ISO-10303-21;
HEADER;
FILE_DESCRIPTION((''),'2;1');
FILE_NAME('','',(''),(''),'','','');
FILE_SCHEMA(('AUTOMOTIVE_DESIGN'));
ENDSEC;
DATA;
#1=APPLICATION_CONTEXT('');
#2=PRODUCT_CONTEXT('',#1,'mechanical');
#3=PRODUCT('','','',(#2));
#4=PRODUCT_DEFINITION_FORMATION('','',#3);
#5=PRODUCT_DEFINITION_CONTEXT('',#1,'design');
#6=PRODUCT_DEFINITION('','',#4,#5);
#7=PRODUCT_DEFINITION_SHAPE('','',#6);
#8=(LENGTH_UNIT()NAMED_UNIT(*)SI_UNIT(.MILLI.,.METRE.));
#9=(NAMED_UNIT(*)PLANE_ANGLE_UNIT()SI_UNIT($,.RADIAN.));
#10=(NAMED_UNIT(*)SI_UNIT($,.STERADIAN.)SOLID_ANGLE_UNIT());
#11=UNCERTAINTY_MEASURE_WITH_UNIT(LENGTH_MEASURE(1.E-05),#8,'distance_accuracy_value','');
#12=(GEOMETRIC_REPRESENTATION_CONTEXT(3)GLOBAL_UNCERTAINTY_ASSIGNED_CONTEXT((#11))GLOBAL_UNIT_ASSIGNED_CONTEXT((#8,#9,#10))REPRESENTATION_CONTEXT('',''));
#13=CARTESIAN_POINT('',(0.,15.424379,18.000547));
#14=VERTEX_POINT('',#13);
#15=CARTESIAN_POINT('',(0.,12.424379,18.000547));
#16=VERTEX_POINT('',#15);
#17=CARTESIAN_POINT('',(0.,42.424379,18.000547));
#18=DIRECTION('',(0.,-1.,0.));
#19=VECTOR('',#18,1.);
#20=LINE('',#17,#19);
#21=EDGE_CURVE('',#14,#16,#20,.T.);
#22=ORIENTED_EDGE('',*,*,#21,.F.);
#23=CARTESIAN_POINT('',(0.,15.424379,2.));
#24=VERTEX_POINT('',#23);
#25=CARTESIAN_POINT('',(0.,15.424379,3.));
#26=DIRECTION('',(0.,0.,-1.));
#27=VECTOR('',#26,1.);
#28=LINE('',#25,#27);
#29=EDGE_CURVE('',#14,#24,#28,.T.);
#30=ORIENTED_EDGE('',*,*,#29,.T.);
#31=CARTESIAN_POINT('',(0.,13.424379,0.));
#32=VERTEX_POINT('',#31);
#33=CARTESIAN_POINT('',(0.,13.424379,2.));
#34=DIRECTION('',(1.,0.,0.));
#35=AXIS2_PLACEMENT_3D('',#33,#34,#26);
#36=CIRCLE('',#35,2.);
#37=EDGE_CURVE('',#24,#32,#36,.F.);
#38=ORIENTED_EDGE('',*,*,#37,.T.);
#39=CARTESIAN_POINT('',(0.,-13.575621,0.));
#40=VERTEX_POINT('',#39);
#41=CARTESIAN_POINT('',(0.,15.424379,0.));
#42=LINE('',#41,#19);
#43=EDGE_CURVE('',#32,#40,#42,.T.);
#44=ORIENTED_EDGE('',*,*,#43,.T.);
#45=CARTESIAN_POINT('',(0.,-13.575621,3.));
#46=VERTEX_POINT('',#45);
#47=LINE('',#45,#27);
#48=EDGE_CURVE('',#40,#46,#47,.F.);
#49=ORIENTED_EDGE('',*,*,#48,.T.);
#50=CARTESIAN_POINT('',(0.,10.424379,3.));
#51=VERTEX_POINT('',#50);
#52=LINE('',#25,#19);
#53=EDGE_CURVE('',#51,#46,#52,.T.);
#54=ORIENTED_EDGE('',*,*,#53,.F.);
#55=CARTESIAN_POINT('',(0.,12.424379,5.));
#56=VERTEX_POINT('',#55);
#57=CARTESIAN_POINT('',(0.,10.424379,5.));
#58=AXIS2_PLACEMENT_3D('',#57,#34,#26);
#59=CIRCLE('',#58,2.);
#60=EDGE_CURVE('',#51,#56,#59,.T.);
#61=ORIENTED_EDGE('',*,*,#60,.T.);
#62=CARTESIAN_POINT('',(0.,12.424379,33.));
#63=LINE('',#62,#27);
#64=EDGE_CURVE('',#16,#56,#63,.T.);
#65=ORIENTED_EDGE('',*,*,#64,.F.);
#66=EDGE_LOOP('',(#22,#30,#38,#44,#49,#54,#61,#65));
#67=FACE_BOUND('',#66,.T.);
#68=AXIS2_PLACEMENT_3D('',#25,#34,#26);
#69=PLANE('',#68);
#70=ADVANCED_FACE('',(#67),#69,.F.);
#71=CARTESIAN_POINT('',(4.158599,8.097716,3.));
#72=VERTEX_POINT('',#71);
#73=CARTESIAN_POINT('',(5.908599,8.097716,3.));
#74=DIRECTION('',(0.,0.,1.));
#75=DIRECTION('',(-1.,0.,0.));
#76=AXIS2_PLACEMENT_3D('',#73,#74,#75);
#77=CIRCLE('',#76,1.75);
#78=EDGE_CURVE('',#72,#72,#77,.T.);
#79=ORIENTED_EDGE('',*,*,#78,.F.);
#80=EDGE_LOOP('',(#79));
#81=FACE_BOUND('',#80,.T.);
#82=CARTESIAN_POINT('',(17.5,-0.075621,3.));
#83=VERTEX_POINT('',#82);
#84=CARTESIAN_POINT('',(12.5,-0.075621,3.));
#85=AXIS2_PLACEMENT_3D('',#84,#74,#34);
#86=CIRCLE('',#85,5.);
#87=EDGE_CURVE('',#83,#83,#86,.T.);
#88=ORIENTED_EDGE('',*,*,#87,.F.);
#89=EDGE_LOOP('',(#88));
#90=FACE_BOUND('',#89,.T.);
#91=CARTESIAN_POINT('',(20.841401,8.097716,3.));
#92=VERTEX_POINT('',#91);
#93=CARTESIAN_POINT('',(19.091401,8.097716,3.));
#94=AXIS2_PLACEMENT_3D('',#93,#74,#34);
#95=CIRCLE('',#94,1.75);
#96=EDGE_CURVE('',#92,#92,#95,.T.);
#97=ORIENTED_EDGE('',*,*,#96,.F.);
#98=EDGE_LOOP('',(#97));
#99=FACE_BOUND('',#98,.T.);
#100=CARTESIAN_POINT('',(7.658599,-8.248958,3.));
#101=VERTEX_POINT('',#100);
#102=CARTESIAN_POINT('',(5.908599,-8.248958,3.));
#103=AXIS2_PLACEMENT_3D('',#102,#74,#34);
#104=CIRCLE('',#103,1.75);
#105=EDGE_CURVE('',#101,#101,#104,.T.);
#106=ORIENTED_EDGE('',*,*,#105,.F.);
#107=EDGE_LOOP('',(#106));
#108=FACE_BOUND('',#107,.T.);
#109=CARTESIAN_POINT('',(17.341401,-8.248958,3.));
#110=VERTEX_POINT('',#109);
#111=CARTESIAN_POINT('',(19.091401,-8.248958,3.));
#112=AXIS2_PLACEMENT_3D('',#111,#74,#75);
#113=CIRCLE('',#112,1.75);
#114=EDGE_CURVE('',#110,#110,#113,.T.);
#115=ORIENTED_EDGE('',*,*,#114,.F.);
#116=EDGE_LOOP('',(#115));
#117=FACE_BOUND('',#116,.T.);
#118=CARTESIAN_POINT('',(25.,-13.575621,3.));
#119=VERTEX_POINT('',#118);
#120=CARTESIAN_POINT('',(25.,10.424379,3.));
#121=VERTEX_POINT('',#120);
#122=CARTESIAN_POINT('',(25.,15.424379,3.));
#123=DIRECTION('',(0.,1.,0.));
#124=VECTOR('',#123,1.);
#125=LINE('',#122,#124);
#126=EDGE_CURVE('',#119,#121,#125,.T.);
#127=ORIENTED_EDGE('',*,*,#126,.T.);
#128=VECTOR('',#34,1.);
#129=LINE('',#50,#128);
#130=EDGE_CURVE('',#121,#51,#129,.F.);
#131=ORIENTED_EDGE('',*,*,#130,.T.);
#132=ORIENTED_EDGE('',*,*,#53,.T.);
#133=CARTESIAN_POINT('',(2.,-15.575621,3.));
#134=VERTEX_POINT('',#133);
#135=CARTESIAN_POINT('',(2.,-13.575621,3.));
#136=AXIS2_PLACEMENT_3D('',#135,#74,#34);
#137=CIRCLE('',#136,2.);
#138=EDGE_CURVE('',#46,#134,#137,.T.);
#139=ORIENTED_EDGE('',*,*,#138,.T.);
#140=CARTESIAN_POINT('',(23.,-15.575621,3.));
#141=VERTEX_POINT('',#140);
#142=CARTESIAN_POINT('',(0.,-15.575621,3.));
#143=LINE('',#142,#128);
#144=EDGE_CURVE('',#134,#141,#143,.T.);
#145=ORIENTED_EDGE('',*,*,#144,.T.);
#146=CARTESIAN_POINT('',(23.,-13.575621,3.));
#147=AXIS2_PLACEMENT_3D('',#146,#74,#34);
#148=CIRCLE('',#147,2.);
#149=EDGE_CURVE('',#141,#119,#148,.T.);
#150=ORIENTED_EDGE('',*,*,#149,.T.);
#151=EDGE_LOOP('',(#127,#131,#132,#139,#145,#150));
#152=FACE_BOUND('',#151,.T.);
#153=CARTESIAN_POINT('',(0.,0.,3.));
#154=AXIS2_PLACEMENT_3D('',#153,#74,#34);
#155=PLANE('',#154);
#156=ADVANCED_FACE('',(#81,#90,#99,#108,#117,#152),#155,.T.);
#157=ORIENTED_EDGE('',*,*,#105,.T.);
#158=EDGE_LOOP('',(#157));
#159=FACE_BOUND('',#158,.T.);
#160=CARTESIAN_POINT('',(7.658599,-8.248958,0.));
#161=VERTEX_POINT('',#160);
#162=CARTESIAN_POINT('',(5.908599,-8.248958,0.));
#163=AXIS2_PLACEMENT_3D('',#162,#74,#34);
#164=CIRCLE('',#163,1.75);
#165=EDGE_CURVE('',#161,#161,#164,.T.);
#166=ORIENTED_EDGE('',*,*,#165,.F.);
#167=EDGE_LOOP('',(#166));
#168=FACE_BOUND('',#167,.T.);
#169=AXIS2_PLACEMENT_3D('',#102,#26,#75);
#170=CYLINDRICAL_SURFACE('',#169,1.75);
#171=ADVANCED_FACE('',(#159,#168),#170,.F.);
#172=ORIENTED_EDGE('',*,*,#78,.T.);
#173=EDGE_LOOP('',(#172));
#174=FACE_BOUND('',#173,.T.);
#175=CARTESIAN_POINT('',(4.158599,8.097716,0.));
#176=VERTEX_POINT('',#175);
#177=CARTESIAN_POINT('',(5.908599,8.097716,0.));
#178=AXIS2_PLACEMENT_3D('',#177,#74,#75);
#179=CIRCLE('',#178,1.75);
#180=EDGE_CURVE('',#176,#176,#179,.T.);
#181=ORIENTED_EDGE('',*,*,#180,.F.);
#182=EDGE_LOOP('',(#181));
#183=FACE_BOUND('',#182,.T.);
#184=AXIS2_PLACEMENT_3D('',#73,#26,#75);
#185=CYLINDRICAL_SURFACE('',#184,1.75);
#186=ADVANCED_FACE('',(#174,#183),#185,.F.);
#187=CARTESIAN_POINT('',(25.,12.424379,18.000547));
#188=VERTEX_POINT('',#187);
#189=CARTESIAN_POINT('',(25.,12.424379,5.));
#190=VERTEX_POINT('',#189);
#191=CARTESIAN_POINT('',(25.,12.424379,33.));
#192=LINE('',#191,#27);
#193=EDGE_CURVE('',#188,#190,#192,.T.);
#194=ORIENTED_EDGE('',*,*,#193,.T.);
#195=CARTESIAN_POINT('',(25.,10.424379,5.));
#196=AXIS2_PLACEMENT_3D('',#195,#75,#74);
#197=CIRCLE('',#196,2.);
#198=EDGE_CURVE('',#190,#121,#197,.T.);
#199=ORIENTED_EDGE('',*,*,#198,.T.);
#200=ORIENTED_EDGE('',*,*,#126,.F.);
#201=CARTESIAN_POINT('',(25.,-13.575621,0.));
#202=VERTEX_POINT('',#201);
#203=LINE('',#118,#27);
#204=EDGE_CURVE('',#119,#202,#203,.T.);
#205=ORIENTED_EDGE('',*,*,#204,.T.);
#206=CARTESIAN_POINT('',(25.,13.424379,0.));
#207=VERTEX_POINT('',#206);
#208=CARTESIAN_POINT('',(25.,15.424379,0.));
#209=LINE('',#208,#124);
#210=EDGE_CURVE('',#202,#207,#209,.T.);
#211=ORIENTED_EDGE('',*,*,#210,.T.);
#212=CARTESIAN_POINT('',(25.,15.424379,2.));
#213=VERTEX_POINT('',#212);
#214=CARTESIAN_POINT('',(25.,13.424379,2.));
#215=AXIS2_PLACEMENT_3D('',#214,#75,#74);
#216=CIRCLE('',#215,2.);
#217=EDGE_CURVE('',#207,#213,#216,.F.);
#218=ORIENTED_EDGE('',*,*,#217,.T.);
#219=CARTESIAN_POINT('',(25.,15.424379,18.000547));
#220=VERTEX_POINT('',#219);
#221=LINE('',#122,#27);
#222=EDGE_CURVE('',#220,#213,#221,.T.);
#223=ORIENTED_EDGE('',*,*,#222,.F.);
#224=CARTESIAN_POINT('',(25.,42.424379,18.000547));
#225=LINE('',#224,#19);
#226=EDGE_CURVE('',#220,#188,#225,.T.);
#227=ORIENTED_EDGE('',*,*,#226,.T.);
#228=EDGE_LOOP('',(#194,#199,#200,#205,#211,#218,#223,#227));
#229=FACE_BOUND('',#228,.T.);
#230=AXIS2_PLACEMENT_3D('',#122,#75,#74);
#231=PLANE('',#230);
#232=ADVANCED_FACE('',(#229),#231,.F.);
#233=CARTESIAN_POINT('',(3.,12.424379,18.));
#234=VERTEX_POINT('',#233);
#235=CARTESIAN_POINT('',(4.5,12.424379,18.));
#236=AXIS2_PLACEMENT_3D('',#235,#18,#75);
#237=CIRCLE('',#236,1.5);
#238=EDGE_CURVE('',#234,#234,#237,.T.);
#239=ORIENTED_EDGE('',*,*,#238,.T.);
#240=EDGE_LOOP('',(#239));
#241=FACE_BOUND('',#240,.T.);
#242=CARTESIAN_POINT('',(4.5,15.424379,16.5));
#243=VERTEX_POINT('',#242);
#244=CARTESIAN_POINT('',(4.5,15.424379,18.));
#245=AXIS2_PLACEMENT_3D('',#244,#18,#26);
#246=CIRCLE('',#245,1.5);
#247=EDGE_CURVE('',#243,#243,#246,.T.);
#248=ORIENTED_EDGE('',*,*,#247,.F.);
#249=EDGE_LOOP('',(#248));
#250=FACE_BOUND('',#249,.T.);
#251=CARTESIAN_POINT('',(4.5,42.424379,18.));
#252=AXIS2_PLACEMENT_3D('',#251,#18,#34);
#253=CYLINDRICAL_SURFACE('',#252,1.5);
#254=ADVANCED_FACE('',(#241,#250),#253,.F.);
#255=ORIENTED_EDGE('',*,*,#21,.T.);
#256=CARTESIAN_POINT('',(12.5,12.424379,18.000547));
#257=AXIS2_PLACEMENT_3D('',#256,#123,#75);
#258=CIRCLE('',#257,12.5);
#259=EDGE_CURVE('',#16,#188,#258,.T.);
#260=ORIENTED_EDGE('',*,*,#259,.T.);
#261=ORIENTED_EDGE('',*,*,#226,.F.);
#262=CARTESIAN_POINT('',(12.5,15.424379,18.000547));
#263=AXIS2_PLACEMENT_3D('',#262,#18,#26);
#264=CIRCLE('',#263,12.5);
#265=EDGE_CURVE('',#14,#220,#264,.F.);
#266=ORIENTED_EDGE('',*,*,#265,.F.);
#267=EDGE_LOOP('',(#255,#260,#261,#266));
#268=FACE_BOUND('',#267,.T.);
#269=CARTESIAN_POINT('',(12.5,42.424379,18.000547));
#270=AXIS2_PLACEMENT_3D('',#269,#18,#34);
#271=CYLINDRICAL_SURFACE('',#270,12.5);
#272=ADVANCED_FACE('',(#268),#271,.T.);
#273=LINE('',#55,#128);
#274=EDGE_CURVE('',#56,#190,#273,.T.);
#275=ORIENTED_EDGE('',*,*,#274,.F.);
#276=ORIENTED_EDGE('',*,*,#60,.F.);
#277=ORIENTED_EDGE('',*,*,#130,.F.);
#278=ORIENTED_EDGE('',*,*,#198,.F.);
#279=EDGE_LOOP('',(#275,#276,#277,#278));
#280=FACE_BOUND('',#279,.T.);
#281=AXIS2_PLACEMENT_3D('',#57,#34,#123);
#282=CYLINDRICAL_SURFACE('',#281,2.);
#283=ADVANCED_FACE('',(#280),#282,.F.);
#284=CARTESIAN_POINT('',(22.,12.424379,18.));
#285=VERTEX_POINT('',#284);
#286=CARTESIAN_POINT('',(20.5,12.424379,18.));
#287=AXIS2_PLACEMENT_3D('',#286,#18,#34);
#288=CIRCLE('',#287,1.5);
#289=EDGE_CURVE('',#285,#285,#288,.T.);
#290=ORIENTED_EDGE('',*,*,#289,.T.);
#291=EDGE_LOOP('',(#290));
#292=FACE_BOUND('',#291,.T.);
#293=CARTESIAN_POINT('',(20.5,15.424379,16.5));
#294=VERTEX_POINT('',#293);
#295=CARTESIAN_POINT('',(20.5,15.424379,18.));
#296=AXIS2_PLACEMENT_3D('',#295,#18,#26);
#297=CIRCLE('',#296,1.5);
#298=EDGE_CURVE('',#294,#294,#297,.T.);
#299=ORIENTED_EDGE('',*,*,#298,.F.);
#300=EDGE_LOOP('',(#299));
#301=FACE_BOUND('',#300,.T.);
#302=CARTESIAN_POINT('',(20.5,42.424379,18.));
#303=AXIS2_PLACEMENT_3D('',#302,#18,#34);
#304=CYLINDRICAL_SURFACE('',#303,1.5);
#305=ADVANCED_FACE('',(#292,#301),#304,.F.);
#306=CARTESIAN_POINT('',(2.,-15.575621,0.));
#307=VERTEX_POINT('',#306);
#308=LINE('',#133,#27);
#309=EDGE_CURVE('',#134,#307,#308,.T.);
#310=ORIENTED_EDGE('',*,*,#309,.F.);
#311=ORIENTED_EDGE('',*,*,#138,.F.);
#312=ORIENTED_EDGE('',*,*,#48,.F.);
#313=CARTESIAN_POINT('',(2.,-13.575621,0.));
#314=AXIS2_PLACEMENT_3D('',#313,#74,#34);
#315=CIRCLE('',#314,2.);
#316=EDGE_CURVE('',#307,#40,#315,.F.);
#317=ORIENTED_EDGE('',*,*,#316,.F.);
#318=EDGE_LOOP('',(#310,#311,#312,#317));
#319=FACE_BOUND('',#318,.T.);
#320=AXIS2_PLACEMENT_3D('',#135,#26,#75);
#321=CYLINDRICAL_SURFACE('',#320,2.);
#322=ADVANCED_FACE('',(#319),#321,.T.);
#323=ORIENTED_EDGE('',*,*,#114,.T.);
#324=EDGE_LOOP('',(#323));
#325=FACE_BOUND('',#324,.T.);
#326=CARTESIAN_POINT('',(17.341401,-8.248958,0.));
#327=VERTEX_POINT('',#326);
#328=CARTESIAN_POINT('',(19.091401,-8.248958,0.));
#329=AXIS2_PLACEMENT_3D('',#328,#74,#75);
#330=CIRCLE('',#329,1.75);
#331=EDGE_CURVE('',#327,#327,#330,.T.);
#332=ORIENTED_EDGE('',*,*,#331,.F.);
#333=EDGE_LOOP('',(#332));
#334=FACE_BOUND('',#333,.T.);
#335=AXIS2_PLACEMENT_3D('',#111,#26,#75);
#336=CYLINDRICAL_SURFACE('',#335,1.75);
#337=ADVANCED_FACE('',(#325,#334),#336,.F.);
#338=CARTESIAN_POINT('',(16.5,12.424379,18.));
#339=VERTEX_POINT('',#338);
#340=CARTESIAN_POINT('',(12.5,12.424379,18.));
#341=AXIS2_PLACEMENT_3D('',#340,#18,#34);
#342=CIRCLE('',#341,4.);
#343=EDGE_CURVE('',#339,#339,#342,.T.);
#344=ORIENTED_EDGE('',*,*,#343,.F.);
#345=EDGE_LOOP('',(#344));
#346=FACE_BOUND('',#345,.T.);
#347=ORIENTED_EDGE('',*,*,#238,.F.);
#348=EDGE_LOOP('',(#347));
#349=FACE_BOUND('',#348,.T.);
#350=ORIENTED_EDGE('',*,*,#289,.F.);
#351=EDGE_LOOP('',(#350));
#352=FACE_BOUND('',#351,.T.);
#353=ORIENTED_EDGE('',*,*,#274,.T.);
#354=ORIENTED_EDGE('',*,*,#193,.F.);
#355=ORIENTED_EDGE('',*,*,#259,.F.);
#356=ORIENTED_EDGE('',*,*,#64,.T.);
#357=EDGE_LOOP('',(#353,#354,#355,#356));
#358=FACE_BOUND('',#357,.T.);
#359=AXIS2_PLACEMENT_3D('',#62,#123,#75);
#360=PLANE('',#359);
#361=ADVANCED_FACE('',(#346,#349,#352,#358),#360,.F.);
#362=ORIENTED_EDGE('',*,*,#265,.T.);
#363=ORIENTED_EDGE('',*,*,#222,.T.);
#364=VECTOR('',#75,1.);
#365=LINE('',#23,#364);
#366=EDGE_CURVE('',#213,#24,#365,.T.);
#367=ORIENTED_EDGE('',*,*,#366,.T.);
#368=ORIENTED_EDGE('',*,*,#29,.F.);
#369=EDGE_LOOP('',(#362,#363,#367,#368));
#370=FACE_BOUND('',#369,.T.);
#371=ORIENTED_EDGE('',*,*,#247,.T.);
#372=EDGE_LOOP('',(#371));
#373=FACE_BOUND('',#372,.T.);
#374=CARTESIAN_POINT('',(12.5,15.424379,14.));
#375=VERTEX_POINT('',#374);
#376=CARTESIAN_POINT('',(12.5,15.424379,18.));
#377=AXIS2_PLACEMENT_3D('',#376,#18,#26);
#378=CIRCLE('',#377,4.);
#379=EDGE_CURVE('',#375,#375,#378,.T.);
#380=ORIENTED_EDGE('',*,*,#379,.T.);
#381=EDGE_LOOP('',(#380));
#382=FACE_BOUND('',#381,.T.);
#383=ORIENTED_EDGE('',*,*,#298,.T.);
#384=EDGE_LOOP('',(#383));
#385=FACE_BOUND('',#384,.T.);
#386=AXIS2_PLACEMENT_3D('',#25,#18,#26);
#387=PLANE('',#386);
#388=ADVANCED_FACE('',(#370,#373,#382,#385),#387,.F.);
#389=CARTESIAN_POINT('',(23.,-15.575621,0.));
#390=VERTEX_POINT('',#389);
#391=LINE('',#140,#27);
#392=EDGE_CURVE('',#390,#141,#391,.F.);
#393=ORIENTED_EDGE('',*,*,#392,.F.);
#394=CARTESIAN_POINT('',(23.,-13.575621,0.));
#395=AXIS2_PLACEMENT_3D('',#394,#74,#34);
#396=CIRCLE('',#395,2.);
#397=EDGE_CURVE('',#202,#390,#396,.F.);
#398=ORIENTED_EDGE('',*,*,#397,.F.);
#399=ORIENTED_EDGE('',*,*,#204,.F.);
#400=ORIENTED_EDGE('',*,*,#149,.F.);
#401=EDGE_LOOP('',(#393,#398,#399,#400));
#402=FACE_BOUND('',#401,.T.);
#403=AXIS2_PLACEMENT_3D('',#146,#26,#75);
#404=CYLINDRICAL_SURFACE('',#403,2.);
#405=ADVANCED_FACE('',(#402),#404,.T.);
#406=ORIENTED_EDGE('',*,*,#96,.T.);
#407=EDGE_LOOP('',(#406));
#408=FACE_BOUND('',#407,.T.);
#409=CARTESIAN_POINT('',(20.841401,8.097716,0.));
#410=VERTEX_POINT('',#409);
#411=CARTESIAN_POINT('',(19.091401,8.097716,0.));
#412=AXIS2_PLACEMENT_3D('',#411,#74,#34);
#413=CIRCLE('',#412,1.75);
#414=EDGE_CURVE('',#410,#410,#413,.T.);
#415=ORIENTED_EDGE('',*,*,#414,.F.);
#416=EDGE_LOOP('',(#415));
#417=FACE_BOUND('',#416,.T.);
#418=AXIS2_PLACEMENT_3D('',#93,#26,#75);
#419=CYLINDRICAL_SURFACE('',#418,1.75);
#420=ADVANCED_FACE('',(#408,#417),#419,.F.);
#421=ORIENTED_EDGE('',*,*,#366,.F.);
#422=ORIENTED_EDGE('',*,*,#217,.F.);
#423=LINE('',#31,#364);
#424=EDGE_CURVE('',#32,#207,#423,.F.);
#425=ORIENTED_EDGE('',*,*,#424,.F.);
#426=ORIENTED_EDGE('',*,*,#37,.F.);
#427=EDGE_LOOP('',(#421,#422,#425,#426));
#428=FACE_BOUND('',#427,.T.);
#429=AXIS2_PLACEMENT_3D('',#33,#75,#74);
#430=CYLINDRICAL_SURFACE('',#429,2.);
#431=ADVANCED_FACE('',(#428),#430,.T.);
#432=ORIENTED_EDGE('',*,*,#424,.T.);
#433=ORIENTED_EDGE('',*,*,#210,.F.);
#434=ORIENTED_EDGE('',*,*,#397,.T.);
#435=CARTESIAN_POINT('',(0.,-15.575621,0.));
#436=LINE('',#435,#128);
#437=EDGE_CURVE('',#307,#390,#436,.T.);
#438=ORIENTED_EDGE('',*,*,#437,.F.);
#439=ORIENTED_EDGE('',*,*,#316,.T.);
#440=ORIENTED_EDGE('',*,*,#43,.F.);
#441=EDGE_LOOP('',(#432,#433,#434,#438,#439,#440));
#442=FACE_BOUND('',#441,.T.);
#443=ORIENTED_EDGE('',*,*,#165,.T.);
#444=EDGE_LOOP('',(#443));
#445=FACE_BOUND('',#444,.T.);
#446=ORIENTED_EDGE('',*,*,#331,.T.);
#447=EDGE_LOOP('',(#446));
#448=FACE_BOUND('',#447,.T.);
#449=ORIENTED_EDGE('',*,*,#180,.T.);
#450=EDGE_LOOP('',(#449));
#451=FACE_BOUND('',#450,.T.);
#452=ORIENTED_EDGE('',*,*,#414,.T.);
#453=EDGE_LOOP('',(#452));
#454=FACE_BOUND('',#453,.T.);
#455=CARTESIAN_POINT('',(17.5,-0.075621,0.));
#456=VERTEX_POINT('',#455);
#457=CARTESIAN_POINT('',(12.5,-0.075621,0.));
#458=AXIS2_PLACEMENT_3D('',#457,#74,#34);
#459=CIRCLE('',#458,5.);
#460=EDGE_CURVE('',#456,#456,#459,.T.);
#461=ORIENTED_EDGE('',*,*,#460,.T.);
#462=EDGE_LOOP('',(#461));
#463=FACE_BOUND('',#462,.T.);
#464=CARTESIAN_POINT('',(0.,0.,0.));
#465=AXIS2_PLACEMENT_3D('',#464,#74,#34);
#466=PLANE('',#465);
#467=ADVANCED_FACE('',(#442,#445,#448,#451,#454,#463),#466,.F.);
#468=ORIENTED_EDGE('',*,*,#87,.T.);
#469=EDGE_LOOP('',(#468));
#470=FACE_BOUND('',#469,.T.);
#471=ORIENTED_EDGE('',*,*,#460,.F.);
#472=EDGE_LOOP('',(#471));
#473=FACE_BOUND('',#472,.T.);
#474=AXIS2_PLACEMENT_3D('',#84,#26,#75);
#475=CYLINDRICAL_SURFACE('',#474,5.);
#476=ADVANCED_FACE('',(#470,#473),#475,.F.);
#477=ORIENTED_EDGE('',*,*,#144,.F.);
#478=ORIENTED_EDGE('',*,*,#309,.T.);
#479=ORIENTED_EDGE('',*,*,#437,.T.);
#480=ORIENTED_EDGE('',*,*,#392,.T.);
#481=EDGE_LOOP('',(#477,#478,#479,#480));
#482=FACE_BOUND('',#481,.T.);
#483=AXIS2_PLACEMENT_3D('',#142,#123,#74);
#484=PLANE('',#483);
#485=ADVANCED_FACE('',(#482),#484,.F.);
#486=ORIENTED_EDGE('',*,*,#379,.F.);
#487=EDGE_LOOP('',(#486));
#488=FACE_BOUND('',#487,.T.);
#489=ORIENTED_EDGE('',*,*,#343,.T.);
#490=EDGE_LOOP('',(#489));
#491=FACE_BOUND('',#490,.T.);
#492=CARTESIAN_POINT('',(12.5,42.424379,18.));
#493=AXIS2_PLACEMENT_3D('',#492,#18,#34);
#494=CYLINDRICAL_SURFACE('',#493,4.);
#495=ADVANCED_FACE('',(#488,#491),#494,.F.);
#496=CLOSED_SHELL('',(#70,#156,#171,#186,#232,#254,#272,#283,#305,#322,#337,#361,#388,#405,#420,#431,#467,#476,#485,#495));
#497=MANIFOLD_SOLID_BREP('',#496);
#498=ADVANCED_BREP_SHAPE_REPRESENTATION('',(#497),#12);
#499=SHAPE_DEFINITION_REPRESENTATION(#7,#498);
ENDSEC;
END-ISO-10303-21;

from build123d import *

# Parameters (mm, degrees)
ESQUISSE1_W             = 25
ESQUISSE1_H             = 31
ESQUISSE1_R             = 5
ESQUISSE1_R_2           = 1.75
BOSS_EXTRU_1_DEPTH      = 3
ESQUISSE2_W             = 25
ESQUISSE2_H             = 3
BOSS_EXTRU_2_DEPTH      = 30
ESQUISSE3_R             = 4
ESQUISSE3_R_2           = 1.5
ENL_V_MAT_EXTRU_1_DEPTH = 30
CONG_1_R                = 2


with BuildPart() as part:
    # Esquisse1 → Boss.-Extru.1 (new body)
    with BuildSketch(Plane.XY):
        with Locations((12.5, -0.075620767)):
            Rectangle(ESQUISSE1_W, ESQUISSE1_H)
        with Locations((12.5, -0.075620767)):
            Circle(ESQUISSE1_R, mode=Mode.SUBTRACT)
        with Locations((19.091400737, 8.097716147)):
            Circle(ESQUISSE1_R_2, mode=Mode.SUBTRACT)
        with Locations(Location((5.908599263, 8.097716147, 0), (0, 0, 180))):
            Circle(ESQUISSE1_R_2, mode=Mode.SUBTRACT)
        with Locations(Location((19.091400737, -8.248957682, 0), (0, 0, 180))):
            Circle(ESQUISSE1_R_2, mode=Mode.SUBTRACT)
        with Locations((5.908599263, -8.248957682)):
            Circle(ESQUISSE1_R_2, mode=Mode.SUBTRACT)
    extrude(amount=BOSS_EXTRU_1_DEPTH)

    # Esquisse2 → Boss.-Extru.2 (add)
    with BuildSketch(Plane.XY.offset(3)):
        with Locations((12.5, 13.924379233)):
            Rectangle(ESQUISSE2_W, ESQUISSE2_H)
    extrude(amount=BOSS_EXTRU_2_DEPTH)

    # Esquisse3 → Enlèv. mat.-Extru.1 (cut)
    with BuildSketch(Plane.XZ.offset(-12.424379233)):
        with Locations((12.5, 18)):
            Circle(ESQUISSE3_R)
        with Locations((20.5, 18)):
            Circle(ESQUISSE3_R_2)
        with Locations(Location((4.5, 18, 0), (0, 0, 270))):
            Circle(ESQUISSE3_R_2)
        with BuildLine():
            Line((0, 18.000546853), (0, 33))
            Line((0, 33), (25.000000024, 33))
            Line((25.000000024, 33), (25.000000024, 18.000546853))
            ThreePointArc((25.000000024, 18.000546853), (12.500000012, 30.500546865), (0, 18.000546853))
        make_face()
    extrude(amount=-ENL_V_MAT_EXTRU_1_DEPTH, mode=Mode.SUBTRACT)

    # Congé1
    cong_1_edges = [part.edges().sort_by_distance(p)[0] for p in [
        (12.5, 12.424379233, 3),
        (12.5, 15.424379233, 0),
        (25, -15.575620767, 1.5),
        (0, -15.575620767, 1.5),
    ]]
    fillet(cong_1_edges, radius=CONG_1_R)


solid = part.part
